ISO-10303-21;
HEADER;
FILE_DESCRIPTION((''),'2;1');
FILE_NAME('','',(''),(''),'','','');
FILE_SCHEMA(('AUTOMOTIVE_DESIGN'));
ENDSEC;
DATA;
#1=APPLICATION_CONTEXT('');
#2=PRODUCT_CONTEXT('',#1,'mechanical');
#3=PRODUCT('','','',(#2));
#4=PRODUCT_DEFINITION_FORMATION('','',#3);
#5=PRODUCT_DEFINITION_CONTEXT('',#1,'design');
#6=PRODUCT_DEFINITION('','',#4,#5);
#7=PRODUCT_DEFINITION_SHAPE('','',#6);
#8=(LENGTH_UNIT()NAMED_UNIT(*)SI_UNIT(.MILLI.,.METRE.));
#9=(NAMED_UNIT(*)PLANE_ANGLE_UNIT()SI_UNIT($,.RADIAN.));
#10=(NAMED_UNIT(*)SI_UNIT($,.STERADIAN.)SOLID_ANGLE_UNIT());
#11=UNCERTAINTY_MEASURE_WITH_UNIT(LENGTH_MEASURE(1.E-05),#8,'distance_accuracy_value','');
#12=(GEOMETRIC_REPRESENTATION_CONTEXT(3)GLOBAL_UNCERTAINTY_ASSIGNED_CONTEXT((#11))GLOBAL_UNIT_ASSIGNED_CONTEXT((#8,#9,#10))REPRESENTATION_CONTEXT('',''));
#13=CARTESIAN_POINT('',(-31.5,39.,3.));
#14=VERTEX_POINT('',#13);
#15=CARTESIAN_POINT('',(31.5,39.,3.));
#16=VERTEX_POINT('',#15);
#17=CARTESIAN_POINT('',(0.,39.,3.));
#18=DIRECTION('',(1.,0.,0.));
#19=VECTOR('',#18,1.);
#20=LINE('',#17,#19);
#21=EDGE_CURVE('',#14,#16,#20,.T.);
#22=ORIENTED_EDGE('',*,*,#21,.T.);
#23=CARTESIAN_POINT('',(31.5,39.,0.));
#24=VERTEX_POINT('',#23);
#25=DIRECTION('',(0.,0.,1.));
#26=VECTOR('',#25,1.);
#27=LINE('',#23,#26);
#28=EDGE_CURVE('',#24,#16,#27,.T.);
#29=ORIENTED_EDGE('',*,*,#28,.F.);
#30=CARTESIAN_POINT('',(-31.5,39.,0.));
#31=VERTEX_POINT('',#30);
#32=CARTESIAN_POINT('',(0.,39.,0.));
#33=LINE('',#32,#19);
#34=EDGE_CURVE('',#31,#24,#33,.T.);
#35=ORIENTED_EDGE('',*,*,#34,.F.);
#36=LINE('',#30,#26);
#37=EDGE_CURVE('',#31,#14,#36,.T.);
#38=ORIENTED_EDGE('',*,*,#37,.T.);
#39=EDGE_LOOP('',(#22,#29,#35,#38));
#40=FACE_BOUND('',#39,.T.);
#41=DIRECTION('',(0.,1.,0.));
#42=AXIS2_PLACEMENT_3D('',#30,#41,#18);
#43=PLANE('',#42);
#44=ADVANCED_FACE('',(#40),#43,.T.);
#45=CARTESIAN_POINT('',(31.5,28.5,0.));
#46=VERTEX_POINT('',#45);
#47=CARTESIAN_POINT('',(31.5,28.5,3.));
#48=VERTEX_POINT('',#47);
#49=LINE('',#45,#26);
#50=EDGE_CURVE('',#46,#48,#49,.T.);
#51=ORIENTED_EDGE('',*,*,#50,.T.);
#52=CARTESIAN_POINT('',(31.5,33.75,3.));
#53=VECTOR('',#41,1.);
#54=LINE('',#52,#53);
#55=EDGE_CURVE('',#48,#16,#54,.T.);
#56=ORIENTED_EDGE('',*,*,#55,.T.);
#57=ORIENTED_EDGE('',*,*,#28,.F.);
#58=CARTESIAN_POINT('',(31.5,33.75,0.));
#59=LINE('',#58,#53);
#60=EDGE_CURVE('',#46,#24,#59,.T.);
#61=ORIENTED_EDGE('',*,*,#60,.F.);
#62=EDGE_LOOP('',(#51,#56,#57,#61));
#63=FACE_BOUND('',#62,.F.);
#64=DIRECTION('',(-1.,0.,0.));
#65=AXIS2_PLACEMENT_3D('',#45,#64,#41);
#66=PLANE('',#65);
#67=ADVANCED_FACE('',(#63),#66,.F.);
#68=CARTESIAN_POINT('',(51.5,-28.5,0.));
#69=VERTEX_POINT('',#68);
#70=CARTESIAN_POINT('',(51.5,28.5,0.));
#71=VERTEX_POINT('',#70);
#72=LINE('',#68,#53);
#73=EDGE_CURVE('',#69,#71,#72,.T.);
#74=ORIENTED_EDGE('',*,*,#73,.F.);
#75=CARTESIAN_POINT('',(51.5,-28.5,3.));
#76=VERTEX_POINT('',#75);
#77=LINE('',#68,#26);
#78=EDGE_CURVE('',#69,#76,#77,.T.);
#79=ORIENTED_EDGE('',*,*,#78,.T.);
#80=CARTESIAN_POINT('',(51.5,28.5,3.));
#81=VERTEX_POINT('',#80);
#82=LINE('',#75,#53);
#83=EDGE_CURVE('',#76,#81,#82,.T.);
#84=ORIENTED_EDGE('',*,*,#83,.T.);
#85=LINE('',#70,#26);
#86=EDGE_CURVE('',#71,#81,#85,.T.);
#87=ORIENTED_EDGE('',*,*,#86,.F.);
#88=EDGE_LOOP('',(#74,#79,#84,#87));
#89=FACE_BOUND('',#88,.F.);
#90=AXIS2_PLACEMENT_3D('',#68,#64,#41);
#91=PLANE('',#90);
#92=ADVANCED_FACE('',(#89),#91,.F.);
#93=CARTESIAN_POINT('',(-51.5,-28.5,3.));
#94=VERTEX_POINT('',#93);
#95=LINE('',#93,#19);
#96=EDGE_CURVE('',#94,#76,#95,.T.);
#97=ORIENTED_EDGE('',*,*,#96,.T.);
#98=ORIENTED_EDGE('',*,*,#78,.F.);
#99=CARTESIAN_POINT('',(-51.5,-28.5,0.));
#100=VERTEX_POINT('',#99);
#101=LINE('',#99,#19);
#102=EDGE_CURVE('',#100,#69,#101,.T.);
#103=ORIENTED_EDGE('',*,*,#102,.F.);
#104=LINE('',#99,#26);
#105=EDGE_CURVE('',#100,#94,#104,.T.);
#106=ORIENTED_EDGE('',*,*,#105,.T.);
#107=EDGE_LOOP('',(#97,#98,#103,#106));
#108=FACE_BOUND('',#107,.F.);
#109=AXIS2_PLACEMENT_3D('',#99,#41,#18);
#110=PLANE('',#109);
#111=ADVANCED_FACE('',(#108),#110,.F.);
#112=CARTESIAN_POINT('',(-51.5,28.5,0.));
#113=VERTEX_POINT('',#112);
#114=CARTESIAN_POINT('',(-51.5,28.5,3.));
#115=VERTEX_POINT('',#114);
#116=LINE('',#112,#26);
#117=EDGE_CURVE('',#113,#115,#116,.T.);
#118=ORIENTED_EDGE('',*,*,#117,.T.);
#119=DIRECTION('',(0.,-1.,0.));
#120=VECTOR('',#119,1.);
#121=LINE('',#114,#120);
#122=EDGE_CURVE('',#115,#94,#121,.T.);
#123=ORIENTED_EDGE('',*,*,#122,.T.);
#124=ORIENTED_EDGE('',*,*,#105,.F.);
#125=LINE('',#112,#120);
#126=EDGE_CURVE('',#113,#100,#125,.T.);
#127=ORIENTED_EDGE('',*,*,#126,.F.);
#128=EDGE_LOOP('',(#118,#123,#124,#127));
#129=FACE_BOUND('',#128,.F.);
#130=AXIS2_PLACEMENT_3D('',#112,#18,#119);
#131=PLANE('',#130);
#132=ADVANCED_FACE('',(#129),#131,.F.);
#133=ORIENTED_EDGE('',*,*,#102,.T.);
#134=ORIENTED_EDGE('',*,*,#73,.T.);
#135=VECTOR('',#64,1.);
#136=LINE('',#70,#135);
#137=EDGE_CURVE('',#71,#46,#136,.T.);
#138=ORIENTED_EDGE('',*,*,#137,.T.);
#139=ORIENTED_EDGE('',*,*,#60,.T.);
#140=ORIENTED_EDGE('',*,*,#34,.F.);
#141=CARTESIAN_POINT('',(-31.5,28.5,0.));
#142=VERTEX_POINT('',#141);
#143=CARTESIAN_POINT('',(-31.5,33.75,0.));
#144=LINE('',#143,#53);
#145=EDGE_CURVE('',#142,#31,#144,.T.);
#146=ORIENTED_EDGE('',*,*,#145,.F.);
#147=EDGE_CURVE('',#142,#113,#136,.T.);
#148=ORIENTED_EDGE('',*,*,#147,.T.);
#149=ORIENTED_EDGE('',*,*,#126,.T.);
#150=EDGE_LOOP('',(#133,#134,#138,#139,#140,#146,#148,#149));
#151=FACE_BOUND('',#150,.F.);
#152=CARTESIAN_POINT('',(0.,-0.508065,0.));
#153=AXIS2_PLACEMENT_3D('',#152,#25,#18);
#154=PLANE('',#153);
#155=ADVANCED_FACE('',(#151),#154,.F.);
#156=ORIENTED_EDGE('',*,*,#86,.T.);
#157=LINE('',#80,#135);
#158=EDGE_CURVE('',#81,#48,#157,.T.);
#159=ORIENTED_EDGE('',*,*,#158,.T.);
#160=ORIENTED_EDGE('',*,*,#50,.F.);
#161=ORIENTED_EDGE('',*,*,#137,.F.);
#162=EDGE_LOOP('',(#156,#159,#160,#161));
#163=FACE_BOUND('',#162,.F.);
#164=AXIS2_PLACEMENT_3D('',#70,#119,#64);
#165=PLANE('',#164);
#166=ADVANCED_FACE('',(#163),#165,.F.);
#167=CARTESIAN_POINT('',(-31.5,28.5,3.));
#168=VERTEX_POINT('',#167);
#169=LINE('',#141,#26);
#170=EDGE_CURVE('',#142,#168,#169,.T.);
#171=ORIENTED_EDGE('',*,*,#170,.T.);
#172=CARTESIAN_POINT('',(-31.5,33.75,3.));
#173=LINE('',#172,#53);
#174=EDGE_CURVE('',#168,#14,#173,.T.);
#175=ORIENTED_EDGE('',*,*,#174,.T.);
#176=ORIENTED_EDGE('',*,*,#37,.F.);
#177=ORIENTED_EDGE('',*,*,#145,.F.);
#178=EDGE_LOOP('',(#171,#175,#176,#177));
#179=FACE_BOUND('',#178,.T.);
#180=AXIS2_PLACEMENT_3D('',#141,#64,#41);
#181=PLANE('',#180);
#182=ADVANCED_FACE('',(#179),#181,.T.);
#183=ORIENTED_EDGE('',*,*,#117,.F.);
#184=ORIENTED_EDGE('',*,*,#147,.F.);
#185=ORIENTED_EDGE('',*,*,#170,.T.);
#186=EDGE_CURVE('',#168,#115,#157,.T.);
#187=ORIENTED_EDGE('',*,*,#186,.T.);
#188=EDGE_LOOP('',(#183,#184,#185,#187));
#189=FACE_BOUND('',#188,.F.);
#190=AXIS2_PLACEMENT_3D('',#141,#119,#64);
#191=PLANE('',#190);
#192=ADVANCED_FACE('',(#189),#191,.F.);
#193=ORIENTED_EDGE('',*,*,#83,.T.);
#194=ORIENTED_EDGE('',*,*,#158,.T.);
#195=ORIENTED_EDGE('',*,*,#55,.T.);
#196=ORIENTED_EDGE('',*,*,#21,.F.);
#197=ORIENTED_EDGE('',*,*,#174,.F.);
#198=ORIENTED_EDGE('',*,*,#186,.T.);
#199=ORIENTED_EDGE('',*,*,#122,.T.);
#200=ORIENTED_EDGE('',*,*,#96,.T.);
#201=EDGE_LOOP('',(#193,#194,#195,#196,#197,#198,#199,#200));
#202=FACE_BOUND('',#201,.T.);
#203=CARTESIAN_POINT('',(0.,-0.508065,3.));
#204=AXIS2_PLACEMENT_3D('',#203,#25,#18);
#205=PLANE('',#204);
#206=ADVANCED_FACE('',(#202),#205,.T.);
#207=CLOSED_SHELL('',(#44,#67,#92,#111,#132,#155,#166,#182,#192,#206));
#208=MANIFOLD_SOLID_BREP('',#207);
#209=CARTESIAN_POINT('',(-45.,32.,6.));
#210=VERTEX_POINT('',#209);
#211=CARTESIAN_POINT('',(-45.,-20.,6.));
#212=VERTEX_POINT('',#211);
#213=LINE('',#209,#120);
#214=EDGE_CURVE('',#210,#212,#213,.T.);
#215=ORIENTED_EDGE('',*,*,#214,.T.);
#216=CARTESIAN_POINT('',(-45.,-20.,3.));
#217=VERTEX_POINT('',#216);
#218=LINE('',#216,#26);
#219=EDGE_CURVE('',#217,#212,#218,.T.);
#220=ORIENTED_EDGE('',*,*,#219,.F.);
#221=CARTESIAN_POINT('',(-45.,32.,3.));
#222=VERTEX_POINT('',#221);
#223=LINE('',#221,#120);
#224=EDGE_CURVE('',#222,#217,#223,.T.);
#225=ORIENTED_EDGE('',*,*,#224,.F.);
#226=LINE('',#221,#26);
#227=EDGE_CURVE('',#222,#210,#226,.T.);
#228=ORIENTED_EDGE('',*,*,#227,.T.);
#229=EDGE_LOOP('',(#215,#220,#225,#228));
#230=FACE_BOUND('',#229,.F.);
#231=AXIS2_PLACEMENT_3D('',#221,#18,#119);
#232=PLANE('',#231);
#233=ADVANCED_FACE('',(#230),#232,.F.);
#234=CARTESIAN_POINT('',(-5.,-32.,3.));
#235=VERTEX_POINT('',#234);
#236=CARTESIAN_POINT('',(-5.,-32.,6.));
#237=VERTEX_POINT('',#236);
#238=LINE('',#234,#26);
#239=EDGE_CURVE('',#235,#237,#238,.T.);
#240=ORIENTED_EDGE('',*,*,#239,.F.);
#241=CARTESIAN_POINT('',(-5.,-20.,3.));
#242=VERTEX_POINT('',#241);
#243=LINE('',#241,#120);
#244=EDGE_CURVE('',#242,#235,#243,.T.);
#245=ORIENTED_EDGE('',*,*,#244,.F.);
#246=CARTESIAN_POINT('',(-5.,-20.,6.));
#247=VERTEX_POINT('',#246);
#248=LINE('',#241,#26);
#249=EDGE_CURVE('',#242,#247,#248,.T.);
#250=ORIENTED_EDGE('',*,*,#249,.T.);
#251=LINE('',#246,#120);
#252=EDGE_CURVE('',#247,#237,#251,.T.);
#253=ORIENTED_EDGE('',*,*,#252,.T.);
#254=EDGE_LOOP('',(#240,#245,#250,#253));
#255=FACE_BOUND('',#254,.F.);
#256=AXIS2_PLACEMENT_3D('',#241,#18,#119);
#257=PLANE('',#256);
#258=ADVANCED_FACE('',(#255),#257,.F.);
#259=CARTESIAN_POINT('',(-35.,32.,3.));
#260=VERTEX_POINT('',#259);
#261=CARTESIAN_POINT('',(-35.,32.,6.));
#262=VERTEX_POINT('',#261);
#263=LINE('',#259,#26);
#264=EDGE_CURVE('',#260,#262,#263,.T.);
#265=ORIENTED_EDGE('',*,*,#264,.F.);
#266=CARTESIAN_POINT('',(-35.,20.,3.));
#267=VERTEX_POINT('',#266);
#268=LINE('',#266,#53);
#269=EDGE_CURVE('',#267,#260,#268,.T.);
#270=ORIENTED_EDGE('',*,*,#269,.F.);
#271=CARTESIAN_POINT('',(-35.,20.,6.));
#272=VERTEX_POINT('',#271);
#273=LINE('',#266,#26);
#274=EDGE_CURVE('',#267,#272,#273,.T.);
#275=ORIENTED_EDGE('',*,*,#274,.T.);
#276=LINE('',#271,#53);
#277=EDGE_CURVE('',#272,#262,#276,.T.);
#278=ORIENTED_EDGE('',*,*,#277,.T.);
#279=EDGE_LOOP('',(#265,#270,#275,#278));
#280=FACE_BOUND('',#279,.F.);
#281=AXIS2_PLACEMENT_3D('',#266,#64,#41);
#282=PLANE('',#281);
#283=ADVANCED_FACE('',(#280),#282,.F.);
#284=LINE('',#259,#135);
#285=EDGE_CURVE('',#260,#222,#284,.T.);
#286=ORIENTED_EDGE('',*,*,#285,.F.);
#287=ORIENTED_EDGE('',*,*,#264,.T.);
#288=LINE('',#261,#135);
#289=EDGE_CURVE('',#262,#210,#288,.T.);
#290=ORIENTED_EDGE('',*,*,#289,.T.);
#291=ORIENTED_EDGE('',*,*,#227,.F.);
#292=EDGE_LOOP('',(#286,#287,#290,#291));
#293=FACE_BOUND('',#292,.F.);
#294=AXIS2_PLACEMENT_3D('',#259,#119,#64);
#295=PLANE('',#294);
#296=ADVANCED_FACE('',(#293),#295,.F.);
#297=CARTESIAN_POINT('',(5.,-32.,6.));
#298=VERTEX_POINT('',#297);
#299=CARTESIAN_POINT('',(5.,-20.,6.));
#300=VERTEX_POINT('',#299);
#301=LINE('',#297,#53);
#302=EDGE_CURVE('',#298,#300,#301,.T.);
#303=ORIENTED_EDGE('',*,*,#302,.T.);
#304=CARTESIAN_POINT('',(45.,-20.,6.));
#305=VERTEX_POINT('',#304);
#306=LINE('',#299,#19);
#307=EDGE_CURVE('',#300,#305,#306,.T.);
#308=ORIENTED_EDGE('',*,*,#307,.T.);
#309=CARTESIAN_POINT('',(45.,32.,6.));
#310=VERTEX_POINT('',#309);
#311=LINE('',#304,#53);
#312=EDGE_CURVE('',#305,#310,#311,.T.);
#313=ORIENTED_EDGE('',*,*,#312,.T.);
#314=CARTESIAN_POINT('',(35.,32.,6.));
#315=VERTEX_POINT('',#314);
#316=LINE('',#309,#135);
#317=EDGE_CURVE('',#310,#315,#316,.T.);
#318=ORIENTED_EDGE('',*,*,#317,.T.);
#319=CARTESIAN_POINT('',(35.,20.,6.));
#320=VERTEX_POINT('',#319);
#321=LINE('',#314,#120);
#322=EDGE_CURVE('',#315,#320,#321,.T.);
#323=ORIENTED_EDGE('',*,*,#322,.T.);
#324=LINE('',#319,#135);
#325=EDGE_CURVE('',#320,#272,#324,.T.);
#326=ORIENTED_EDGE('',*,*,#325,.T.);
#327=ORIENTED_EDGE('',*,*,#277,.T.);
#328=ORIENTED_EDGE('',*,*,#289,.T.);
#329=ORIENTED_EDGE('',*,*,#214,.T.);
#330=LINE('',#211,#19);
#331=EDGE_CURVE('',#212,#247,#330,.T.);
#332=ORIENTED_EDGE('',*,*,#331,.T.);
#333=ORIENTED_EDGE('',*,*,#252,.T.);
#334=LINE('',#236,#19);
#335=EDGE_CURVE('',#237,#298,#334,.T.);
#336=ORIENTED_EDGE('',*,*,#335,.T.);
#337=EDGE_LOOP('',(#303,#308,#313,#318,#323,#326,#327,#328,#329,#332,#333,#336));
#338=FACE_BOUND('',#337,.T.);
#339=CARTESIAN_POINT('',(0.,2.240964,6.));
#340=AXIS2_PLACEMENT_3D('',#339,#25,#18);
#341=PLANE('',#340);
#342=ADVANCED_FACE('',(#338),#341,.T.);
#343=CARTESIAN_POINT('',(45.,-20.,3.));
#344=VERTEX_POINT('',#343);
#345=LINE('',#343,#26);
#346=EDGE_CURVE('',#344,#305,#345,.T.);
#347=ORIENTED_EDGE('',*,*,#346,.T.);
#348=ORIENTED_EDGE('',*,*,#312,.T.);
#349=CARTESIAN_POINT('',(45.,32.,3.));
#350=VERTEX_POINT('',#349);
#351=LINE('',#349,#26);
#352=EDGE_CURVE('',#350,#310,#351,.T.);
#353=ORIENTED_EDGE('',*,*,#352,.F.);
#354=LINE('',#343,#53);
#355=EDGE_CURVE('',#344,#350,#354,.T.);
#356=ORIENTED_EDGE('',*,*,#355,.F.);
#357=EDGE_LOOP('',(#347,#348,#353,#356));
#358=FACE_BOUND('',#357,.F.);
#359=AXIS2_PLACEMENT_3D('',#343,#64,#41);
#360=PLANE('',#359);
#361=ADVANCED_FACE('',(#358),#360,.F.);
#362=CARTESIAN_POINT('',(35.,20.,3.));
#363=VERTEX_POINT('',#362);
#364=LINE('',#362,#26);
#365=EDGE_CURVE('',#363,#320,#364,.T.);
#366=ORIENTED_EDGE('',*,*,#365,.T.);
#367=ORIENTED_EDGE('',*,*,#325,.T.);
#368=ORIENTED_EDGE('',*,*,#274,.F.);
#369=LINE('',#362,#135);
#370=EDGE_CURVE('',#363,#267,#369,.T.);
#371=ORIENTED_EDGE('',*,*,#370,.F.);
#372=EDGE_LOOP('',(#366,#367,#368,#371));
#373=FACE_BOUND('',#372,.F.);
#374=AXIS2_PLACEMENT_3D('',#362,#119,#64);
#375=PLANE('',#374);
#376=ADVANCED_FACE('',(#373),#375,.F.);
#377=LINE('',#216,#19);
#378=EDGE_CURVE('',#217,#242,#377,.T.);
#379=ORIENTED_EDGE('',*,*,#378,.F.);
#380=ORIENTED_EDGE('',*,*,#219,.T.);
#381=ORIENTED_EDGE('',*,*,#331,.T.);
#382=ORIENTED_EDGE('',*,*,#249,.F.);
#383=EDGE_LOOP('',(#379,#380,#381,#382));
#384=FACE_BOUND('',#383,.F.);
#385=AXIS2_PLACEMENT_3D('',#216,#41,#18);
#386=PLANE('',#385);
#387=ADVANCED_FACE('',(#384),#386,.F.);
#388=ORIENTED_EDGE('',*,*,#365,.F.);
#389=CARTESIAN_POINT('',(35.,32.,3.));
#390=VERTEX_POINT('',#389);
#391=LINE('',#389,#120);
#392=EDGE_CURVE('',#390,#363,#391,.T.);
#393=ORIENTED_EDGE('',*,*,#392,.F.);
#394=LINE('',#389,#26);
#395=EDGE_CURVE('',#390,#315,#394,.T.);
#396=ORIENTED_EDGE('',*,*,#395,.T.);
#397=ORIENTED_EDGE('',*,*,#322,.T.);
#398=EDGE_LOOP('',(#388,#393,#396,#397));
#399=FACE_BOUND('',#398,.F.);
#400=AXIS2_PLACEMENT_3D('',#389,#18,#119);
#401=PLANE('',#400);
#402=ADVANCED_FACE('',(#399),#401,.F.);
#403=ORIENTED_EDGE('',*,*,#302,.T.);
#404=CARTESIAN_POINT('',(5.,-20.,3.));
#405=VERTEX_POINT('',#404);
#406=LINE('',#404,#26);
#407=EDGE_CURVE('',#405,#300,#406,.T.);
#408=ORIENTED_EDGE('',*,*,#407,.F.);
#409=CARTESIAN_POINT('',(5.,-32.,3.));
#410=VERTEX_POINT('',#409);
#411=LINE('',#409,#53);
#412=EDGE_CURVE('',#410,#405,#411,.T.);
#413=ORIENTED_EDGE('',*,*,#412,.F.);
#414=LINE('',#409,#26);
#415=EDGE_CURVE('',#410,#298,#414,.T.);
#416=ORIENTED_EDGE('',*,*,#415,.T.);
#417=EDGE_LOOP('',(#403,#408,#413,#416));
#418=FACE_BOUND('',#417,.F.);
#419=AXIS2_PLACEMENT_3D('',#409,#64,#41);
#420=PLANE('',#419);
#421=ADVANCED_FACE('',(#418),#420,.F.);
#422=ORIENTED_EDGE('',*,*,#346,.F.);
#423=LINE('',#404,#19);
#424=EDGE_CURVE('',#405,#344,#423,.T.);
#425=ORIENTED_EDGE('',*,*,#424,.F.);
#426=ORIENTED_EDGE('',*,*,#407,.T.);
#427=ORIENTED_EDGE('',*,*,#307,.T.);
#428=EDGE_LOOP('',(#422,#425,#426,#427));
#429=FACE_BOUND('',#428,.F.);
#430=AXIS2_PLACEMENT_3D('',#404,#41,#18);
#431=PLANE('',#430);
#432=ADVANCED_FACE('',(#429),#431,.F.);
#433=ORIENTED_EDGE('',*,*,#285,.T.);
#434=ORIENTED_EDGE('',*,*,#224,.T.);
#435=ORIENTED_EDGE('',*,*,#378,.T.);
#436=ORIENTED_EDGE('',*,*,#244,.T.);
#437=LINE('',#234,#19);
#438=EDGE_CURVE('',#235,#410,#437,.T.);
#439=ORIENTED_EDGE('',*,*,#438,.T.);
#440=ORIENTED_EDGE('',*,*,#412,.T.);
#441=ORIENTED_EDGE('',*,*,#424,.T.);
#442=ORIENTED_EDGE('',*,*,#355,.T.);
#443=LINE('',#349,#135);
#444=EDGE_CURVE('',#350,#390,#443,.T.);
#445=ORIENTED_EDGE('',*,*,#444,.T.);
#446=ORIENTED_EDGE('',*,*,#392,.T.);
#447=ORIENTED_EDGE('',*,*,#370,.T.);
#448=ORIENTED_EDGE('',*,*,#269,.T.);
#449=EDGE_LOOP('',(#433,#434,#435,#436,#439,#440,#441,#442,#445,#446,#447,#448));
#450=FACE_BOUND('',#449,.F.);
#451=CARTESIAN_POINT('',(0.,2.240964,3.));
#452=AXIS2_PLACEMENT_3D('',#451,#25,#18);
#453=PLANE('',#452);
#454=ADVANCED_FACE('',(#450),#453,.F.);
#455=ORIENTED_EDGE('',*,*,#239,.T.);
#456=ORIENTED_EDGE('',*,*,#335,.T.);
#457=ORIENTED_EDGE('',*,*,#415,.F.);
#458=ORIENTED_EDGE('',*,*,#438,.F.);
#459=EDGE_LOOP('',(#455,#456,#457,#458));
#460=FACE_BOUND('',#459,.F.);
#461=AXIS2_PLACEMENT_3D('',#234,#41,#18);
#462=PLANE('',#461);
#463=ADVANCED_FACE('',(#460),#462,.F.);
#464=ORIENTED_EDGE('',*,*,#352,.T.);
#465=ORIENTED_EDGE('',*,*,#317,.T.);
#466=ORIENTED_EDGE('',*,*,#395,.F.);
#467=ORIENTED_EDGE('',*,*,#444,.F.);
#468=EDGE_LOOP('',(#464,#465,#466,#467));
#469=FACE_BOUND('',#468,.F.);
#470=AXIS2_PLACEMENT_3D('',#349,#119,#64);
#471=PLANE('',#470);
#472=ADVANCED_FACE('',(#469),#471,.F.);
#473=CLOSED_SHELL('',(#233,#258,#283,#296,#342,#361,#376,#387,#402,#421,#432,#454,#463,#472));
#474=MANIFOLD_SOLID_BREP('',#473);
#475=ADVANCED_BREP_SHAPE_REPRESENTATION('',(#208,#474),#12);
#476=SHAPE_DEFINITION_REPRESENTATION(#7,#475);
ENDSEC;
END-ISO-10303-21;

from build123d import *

# Parameters (mm, degrees)
F0_W     = 63
F0_H     = 10.5
F1_DEPTH = 3
F3_DEPTH = 3


with BuildPart() as f1:
    # F0 (on Top) → F1 (new body)
    with BuildSketch(Plane.XY):
        Polygon((51.5, -28.5), (51.5, 28.5), (31.5, 28.5), (31.5, 18), (-31.5, 18), (-31.5, 28.5), (-51.5, 28.5), (-51.5, -28.5), align=None)
        with Locations((0, 23.25)):
            Rectangle(F0_W, F0_H)
        with Locations((0, 33.75)):
            Rectangle(F0_W, F0_H)
    extrude(amount=F1_DEPTH)


with BuildPart() as f3:
    # F2 (on face) → F3 (new body)
    with BuildSketch(Plane.XY.offset(3)):
        Polygon((35, 32), (35, 20), (-35, 20), (-35, 32), (-45, 32), (-45, 20), (-45, -20), (-5, -20), (-5, -32), (0, -32), (5, -32), (5, -20), (45, -20), (45, 20), (45, 32), align=None)
    extrude(amount=F3_DEPTH)


solid = Compound([f1.part, f3.part])
